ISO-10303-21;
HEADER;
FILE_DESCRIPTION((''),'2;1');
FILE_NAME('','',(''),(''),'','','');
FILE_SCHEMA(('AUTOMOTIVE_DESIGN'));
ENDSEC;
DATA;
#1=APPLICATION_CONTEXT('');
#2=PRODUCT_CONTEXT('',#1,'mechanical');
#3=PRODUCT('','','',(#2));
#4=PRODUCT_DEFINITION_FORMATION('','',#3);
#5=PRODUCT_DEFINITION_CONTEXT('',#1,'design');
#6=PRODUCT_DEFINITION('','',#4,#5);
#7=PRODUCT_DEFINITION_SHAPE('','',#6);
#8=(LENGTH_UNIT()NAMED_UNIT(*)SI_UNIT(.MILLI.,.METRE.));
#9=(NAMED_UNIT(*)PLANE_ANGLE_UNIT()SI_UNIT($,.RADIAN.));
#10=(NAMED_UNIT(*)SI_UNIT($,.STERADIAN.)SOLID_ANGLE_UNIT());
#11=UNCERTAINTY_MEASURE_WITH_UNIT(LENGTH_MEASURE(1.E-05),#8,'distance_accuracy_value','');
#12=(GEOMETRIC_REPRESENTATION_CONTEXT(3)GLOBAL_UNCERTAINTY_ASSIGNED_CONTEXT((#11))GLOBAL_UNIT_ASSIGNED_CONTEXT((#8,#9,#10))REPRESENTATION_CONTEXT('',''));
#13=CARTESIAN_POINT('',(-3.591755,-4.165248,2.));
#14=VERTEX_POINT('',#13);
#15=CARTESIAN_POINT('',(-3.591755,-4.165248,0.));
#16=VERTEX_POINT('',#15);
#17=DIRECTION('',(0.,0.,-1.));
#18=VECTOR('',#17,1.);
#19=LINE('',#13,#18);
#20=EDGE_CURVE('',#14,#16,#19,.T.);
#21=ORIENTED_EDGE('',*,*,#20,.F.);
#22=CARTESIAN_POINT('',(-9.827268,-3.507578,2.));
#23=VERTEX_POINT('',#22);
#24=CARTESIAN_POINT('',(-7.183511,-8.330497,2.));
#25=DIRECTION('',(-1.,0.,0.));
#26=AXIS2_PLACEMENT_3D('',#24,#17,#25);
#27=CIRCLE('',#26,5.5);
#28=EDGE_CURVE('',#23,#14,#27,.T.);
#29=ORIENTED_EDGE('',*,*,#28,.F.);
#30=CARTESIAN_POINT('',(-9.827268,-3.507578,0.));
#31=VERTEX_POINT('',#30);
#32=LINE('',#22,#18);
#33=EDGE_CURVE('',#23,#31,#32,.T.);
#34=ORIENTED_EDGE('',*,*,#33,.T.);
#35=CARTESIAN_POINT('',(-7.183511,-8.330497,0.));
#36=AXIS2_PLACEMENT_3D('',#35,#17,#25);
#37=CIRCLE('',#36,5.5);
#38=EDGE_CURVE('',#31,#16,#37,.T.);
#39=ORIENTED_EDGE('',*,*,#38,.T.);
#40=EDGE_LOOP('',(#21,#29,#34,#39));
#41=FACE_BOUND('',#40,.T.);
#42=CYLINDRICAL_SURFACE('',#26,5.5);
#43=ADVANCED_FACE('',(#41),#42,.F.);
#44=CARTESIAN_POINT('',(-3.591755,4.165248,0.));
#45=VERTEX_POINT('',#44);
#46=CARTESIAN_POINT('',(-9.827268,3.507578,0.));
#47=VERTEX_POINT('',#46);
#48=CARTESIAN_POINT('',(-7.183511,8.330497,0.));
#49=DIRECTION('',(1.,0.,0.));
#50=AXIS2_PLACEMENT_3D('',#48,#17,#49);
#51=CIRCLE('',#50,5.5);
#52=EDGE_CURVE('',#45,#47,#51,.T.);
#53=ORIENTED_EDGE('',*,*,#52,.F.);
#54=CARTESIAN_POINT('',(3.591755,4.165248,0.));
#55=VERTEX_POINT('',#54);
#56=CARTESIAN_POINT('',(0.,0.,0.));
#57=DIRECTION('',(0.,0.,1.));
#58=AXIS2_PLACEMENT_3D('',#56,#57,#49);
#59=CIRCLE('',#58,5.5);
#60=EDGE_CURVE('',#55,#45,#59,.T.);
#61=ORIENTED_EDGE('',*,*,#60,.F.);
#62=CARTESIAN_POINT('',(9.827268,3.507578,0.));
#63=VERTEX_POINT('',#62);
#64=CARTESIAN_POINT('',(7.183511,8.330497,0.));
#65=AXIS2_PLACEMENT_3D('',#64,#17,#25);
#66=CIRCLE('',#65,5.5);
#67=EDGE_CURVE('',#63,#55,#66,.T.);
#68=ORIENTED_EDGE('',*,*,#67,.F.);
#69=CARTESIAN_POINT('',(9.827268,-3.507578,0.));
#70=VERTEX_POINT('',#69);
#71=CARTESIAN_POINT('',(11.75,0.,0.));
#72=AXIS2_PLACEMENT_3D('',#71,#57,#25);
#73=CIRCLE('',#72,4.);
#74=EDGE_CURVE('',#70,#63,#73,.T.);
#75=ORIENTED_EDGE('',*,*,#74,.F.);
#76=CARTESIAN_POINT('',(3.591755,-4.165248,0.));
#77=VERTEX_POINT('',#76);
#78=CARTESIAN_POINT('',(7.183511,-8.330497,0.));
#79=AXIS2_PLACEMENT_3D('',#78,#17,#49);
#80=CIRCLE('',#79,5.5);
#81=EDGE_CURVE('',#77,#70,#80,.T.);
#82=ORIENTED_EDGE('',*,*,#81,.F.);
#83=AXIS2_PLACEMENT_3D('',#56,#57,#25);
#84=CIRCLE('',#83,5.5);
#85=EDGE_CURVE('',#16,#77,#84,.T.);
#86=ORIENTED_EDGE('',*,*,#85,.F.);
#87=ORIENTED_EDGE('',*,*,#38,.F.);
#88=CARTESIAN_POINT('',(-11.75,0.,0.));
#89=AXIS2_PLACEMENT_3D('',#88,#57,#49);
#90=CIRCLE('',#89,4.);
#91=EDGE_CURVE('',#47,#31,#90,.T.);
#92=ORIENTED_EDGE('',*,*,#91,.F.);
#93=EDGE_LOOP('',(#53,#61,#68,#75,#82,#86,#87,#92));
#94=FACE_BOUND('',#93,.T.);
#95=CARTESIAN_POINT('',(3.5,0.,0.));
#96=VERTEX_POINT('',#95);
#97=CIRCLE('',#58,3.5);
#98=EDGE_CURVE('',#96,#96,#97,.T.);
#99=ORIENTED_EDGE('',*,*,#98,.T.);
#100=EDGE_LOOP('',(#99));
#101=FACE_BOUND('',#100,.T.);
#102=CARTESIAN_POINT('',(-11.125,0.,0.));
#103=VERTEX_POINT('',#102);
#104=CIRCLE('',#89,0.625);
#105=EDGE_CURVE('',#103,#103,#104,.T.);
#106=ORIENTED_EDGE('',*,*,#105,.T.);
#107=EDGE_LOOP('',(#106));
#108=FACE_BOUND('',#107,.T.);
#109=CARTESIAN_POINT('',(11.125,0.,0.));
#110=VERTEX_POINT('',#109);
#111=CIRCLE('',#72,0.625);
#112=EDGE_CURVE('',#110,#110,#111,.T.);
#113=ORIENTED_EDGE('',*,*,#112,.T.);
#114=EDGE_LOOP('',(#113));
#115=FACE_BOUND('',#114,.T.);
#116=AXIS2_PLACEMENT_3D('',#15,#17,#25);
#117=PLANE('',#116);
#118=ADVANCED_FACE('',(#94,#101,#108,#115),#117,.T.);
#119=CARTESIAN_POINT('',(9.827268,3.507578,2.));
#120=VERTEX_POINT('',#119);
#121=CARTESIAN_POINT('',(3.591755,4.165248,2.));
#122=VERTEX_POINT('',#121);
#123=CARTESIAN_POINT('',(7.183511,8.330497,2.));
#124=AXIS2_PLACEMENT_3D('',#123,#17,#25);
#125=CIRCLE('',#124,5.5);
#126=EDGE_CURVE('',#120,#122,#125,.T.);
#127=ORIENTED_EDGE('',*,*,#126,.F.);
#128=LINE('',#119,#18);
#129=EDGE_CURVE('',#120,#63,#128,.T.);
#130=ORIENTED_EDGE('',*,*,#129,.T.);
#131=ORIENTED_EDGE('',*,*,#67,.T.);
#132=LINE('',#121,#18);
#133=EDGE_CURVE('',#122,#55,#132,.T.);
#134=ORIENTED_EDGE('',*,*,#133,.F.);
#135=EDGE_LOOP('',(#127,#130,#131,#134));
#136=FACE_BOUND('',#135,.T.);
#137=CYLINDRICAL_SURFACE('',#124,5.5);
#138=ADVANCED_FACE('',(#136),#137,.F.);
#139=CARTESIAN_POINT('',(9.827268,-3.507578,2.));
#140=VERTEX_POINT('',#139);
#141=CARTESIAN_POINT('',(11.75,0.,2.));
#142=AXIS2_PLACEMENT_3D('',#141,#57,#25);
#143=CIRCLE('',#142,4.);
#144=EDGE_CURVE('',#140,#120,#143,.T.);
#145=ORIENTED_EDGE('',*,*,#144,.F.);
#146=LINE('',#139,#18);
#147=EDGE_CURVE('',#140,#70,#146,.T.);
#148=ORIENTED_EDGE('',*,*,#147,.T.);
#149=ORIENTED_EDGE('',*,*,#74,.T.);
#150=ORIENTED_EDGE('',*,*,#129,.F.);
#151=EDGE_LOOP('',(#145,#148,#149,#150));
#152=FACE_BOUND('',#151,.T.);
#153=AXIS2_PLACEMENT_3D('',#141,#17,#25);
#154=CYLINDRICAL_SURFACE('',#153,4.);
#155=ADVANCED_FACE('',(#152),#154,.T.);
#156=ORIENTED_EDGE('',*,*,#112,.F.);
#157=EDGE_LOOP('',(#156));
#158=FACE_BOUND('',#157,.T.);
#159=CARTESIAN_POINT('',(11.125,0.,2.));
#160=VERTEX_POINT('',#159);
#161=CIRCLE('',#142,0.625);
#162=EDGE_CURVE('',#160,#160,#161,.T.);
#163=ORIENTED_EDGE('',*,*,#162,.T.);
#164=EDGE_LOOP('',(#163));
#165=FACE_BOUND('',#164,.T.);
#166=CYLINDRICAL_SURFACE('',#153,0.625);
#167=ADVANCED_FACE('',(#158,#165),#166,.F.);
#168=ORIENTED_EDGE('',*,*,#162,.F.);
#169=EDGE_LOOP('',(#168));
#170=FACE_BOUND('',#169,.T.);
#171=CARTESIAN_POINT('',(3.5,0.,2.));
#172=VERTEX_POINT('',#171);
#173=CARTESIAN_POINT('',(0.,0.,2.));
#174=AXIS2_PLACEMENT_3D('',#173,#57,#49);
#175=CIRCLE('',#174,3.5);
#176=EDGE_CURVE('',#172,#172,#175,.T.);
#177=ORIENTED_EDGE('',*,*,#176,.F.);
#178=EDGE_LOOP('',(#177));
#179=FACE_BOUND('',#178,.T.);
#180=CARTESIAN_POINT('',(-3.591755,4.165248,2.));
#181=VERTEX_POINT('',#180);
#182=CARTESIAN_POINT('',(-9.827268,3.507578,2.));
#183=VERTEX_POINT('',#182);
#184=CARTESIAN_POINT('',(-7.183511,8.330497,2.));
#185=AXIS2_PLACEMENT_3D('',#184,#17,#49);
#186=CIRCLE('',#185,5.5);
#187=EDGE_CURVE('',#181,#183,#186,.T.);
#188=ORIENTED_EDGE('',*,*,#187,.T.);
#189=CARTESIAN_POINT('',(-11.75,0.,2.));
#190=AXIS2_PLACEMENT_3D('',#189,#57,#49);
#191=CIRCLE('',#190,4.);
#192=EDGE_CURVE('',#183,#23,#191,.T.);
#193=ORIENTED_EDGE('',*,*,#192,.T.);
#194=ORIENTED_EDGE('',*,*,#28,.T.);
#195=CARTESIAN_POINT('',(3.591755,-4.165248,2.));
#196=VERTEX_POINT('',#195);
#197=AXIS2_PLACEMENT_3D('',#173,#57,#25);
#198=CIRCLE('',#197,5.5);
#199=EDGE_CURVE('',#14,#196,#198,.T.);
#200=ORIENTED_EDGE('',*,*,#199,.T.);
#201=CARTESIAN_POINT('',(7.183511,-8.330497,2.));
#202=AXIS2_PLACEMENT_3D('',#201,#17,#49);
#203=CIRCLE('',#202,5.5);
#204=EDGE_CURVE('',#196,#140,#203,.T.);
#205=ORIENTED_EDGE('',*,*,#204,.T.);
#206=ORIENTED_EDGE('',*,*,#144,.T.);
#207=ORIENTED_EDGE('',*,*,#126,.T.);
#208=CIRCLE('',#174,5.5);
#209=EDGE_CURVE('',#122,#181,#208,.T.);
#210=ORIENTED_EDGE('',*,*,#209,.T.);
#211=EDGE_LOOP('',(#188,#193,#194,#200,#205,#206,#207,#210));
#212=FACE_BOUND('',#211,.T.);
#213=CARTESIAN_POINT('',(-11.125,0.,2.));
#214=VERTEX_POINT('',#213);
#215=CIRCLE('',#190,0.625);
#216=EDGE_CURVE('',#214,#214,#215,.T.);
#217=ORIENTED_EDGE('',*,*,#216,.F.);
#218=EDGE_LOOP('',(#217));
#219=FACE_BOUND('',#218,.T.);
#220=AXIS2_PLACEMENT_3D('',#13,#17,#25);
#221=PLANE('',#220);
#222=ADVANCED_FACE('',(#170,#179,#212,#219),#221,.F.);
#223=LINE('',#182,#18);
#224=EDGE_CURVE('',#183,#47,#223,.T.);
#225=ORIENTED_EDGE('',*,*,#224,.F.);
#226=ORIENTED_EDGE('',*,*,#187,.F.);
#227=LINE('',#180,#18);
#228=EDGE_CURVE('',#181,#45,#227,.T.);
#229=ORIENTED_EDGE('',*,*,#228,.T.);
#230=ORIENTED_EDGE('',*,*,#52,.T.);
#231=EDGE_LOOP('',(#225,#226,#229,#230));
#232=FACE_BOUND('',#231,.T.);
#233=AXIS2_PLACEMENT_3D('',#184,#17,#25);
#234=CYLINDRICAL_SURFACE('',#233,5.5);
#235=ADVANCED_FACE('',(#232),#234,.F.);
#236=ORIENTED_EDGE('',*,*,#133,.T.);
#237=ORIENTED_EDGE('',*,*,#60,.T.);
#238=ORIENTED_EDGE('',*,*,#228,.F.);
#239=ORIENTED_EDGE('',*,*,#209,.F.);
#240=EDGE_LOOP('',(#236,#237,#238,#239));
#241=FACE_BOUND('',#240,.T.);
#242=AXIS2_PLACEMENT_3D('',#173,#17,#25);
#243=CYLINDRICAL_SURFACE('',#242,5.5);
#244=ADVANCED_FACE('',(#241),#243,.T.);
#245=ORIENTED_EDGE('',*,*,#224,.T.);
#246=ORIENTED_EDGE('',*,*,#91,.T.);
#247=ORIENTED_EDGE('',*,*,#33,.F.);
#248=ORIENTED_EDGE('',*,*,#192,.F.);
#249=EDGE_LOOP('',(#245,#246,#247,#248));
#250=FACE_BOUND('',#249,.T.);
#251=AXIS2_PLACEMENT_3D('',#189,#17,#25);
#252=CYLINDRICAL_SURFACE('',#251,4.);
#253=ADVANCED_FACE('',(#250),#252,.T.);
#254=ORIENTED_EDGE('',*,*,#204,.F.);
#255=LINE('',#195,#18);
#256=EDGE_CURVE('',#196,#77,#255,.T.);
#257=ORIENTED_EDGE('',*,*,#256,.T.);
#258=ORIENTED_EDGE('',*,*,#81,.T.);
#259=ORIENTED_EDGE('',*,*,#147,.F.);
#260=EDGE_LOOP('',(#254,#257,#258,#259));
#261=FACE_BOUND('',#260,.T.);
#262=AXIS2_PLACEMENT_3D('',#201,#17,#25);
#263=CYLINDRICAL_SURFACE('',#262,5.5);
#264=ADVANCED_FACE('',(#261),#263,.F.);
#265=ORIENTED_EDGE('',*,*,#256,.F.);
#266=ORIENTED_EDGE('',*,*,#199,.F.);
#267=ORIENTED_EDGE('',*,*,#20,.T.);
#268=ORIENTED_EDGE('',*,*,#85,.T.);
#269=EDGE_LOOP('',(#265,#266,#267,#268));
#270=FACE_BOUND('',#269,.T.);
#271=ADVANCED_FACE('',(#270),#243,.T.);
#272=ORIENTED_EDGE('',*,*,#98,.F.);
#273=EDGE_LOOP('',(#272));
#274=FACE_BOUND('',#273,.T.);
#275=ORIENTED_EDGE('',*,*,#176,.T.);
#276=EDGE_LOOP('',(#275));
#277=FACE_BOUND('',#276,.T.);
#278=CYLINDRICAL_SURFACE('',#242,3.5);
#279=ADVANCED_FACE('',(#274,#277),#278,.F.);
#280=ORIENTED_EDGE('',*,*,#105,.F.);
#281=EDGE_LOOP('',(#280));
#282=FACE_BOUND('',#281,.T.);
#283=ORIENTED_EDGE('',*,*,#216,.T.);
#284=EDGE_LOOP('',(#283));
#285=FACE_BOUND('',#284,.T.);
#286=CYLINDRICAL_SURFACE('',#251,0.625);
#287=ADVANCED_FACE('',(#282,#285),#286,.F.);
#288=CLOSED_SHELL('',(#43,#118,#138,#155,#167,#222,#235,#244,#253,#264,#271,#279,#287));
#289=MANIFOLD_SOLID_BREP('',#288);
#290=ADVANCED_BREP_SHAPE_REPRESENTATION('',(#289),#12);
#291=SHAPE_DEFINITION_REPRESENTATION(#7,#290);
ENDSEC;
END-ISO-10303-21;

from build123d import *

# Parameters (mm, degrees)
SKETCH1_R           = 0.625
SKETCH1_R_2         = 3.5
BOSS_EXTRUDE1_DEPTH = 2


with BuildPart() as part:
    # Sketch1 → Boss-Extrude1 (new body)
    with BuildSketch(Plane.XY):
        with BuildLine():
            ThreePointArc((-9.827267637, 3.507577549), (-15.75, 0), (-9.827267637, -3.507577549))
            ThreePointArc((-9.827267637, -3.507577549), (-6.606615569, -2.860835621), (-3.591755319, -4.165248339))
            ThreePointArc((-3.591755319, -4.165248339), (0, -5.5), (3.591755319, -4.165248339))
            ThreePointArc((3.591755319, -4.165248339), (6.606615569, -2.860835621), (9.827267637, -3.507577549))
            ThreePointArc((9.827267637, -3.507577549), (15.75, 0), (9.827267637, 3.507577549))
            ThreePointArc((9.827267637, 3.507577549), (6.606615569, 2.860835621), (3.591755319, 4.165248339))
            ThreePointArc((3.591755319, 4.165248339), (0, 5.5), (-3.591755319, 4.165248339))
            ThreePointArc((-3.591755319, 4.165248339), (-6.606615569, 2.860835621), (-9.827267637, 3.507577549))
        make_face()
        with Locations((-11.75, 0)):
            Circle(SKETCH1_R, mode=Mode.SUBTRACT)
        Circle(SKETCH1_R_2, mode=Mode.SUBTRACT)
        with Locations(Location((11.75, 0, 0), (0, 0, 180))):
            Circle(SKETCH1_R, mode=Mode.SUBTRACT)
    extrude(amount=BOSS_EXTRUDE1_DEPTH)


solid = part.part
